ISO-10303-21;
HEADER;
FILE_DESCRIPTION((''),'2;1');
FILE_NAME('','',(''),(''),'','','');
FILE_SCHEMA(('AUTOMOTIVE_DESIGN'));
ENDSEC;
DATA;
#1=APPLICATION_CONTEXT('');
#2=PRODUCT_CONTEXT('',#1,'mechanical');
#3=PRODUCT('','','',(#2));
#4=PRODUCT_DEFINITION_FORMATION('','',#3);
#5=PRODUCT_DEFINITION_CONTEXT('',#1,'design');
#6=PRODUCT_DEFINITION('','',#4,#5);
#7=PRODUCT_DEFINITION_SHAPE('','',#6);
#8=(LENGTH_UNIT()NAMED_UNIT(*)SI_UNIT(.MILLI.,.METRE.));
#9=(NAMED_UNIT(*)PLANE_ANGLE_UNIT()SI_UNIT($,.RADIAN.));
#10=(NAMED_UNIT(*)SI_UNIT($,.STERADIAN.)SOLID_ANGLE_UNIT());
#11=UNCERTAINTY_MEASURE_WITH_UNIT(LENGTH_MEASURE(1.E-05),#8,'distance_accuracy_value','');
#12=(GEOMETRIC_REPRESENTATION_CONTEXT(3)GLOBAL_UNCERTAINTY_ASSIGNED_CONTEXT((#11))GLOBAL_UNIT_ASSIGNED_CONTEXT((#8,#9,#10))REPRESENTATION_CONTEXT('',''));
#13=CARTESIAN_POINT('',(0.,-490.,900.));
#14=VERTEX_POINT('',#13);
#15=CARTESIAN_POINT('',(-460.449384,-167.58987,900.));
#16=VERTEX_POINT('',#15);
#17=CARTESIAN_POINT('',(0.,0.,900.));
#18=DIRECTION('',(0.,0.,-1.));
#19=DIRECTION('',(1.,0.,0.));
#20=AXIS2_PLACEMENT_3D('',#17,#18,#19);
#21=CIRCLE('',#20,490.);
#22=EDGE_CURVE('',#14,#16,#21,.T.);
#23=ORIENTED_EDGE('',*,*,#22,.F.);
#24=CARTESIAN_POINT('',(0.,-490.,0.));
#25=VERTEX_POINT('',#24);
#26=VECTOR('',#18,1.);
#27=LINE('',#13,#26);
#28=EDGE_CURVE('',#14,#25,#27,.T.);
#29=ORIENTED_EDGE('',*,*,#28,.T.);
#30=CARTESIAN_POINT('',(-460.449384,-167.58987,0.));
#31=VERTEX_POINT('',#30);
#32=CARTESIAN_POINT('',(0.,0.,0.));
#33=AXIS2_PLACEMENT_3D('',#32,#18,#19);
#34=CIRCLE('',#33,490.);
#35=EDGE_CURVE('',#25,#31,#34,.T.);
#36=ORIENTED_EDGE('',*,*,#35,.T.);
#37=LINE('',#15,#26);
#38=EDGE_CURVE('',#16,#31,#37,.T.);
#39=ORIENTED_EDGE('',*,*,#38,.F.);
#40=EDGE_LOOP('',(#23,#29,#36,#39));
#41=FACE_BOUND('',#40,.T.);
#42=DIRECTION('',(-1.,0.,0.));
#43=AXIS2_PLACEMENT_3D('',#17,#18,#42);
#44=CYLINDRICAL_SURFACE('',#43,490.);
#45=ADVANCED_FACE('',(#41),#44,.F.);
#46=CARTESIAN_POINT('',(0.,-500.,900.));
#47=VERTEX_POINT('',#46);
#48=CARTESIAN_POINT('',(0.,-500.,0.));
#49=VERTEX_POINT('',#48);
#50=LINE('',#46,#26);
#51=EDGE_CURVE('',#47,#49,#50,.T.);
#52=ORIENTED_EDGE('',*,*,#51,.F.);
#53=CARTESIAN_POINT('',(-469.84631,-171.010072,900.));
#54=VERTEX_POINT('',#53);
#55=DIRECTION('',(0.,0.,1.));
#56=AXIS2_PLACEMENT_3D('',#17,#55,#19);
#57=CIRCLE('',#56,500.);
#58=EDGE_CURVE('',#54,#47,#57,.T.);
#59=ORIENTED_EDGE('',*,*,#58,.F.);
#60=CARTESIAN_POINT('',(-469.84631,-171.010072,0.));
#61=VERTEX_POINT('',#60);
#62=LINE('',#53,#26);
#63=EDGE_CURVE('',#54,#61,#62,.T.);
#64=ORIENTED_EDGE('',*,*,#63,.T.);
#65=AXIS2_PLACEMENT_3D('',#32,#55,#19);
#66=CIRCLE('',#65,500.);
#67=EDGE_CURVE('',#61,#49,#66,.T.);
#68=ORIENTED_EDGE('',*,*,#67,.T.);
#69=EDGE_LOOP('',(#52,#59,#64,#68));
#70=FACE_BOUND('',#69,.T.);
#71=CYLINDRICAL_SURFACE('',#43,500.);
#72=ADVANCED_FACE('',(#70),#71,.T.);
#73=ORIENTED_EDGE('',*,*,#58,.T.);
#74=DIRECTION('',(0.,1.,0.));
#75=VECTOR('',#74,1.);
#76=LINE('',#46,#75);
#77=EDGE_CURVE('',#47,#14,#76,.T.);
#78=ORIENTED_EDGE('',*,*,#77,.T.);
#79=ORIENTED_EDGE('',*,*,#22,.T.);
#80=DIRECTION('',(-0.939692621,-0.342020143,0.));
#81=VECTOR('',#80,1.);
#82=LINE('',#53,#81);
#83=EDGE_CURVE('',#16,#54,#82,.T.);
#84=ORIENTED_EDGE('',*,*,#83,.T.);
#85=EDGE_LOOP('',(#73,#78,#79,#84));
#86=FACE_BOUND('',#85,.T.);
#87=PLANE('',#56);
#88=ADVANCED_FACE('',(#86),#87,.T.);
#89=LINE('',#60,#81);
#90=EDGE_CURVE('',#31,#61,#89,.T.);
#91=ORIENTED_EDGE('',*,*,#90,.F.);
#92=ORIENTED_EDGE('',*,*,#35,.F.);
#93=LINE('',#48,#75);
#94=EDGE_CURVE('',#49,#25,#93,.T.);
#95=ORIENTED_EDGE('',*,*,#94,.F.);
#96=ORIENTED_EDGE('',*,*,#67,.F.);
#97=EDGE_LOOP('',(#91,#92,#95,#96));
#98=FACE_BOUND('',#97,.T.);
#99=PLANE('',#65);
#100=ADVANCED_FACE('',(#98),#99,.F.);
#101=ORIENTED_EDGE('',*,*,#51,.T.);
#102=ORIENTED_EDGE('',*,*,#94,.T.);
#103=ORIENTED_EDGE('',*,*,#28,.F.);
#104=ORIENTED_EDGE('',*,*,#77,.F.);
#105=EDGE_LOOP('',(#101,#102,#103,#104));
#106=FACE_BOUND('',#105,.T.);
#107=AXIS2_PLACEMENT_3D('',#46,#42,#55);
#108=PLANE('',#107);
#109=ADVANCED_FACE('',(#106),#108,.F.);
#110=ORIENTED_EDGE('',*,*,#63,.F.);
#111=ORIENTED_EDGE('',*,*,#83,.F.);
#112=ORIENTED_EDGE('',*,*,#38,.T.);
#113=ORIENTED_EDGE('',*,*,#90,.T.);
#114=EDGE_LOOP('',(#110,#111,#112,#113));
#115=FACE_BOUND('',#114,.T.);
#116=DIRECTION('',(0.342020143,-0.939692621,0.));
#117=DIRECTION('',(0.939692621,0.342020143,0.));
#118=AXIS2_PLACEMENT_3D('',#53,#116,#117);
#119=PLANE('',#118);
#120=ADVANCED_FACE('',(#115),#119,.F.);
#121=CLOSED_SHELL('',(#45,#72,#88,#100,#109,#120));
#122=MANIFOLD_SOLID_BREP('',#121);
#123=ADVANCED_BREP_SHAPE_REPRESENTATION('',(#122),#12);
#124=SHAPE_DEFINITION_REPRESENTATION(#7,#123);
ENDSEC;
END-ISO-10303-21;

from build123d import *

# Parameters (mm, degrees)
DODANIE_WYCI_GNI_CIE1_DEPTH = 900


with BuildPart() as part:
    # Szkic1 → Dodanie-wyciągnięcie1 (new body)
    with BuildSketch(Plane.XY):
        with BuildLine():
            Line((-469.846310393, -171.010071663), (-460.449384185, -167.58987023))
            ThreePointArc((-460.449384185, -167.58987023), (-281.052453812, -401.384501702), (0, -490))
            Line((0, -490), (0, -500))
            ThreePointArc((0, -500), (-286.788218176, -409.576022144), (-469.846310393, -171.010071663))
        make_face()
    extrude(amount=DODANIE_WYCI_GNI_CIE1_DEPTH)


solid = part.part
